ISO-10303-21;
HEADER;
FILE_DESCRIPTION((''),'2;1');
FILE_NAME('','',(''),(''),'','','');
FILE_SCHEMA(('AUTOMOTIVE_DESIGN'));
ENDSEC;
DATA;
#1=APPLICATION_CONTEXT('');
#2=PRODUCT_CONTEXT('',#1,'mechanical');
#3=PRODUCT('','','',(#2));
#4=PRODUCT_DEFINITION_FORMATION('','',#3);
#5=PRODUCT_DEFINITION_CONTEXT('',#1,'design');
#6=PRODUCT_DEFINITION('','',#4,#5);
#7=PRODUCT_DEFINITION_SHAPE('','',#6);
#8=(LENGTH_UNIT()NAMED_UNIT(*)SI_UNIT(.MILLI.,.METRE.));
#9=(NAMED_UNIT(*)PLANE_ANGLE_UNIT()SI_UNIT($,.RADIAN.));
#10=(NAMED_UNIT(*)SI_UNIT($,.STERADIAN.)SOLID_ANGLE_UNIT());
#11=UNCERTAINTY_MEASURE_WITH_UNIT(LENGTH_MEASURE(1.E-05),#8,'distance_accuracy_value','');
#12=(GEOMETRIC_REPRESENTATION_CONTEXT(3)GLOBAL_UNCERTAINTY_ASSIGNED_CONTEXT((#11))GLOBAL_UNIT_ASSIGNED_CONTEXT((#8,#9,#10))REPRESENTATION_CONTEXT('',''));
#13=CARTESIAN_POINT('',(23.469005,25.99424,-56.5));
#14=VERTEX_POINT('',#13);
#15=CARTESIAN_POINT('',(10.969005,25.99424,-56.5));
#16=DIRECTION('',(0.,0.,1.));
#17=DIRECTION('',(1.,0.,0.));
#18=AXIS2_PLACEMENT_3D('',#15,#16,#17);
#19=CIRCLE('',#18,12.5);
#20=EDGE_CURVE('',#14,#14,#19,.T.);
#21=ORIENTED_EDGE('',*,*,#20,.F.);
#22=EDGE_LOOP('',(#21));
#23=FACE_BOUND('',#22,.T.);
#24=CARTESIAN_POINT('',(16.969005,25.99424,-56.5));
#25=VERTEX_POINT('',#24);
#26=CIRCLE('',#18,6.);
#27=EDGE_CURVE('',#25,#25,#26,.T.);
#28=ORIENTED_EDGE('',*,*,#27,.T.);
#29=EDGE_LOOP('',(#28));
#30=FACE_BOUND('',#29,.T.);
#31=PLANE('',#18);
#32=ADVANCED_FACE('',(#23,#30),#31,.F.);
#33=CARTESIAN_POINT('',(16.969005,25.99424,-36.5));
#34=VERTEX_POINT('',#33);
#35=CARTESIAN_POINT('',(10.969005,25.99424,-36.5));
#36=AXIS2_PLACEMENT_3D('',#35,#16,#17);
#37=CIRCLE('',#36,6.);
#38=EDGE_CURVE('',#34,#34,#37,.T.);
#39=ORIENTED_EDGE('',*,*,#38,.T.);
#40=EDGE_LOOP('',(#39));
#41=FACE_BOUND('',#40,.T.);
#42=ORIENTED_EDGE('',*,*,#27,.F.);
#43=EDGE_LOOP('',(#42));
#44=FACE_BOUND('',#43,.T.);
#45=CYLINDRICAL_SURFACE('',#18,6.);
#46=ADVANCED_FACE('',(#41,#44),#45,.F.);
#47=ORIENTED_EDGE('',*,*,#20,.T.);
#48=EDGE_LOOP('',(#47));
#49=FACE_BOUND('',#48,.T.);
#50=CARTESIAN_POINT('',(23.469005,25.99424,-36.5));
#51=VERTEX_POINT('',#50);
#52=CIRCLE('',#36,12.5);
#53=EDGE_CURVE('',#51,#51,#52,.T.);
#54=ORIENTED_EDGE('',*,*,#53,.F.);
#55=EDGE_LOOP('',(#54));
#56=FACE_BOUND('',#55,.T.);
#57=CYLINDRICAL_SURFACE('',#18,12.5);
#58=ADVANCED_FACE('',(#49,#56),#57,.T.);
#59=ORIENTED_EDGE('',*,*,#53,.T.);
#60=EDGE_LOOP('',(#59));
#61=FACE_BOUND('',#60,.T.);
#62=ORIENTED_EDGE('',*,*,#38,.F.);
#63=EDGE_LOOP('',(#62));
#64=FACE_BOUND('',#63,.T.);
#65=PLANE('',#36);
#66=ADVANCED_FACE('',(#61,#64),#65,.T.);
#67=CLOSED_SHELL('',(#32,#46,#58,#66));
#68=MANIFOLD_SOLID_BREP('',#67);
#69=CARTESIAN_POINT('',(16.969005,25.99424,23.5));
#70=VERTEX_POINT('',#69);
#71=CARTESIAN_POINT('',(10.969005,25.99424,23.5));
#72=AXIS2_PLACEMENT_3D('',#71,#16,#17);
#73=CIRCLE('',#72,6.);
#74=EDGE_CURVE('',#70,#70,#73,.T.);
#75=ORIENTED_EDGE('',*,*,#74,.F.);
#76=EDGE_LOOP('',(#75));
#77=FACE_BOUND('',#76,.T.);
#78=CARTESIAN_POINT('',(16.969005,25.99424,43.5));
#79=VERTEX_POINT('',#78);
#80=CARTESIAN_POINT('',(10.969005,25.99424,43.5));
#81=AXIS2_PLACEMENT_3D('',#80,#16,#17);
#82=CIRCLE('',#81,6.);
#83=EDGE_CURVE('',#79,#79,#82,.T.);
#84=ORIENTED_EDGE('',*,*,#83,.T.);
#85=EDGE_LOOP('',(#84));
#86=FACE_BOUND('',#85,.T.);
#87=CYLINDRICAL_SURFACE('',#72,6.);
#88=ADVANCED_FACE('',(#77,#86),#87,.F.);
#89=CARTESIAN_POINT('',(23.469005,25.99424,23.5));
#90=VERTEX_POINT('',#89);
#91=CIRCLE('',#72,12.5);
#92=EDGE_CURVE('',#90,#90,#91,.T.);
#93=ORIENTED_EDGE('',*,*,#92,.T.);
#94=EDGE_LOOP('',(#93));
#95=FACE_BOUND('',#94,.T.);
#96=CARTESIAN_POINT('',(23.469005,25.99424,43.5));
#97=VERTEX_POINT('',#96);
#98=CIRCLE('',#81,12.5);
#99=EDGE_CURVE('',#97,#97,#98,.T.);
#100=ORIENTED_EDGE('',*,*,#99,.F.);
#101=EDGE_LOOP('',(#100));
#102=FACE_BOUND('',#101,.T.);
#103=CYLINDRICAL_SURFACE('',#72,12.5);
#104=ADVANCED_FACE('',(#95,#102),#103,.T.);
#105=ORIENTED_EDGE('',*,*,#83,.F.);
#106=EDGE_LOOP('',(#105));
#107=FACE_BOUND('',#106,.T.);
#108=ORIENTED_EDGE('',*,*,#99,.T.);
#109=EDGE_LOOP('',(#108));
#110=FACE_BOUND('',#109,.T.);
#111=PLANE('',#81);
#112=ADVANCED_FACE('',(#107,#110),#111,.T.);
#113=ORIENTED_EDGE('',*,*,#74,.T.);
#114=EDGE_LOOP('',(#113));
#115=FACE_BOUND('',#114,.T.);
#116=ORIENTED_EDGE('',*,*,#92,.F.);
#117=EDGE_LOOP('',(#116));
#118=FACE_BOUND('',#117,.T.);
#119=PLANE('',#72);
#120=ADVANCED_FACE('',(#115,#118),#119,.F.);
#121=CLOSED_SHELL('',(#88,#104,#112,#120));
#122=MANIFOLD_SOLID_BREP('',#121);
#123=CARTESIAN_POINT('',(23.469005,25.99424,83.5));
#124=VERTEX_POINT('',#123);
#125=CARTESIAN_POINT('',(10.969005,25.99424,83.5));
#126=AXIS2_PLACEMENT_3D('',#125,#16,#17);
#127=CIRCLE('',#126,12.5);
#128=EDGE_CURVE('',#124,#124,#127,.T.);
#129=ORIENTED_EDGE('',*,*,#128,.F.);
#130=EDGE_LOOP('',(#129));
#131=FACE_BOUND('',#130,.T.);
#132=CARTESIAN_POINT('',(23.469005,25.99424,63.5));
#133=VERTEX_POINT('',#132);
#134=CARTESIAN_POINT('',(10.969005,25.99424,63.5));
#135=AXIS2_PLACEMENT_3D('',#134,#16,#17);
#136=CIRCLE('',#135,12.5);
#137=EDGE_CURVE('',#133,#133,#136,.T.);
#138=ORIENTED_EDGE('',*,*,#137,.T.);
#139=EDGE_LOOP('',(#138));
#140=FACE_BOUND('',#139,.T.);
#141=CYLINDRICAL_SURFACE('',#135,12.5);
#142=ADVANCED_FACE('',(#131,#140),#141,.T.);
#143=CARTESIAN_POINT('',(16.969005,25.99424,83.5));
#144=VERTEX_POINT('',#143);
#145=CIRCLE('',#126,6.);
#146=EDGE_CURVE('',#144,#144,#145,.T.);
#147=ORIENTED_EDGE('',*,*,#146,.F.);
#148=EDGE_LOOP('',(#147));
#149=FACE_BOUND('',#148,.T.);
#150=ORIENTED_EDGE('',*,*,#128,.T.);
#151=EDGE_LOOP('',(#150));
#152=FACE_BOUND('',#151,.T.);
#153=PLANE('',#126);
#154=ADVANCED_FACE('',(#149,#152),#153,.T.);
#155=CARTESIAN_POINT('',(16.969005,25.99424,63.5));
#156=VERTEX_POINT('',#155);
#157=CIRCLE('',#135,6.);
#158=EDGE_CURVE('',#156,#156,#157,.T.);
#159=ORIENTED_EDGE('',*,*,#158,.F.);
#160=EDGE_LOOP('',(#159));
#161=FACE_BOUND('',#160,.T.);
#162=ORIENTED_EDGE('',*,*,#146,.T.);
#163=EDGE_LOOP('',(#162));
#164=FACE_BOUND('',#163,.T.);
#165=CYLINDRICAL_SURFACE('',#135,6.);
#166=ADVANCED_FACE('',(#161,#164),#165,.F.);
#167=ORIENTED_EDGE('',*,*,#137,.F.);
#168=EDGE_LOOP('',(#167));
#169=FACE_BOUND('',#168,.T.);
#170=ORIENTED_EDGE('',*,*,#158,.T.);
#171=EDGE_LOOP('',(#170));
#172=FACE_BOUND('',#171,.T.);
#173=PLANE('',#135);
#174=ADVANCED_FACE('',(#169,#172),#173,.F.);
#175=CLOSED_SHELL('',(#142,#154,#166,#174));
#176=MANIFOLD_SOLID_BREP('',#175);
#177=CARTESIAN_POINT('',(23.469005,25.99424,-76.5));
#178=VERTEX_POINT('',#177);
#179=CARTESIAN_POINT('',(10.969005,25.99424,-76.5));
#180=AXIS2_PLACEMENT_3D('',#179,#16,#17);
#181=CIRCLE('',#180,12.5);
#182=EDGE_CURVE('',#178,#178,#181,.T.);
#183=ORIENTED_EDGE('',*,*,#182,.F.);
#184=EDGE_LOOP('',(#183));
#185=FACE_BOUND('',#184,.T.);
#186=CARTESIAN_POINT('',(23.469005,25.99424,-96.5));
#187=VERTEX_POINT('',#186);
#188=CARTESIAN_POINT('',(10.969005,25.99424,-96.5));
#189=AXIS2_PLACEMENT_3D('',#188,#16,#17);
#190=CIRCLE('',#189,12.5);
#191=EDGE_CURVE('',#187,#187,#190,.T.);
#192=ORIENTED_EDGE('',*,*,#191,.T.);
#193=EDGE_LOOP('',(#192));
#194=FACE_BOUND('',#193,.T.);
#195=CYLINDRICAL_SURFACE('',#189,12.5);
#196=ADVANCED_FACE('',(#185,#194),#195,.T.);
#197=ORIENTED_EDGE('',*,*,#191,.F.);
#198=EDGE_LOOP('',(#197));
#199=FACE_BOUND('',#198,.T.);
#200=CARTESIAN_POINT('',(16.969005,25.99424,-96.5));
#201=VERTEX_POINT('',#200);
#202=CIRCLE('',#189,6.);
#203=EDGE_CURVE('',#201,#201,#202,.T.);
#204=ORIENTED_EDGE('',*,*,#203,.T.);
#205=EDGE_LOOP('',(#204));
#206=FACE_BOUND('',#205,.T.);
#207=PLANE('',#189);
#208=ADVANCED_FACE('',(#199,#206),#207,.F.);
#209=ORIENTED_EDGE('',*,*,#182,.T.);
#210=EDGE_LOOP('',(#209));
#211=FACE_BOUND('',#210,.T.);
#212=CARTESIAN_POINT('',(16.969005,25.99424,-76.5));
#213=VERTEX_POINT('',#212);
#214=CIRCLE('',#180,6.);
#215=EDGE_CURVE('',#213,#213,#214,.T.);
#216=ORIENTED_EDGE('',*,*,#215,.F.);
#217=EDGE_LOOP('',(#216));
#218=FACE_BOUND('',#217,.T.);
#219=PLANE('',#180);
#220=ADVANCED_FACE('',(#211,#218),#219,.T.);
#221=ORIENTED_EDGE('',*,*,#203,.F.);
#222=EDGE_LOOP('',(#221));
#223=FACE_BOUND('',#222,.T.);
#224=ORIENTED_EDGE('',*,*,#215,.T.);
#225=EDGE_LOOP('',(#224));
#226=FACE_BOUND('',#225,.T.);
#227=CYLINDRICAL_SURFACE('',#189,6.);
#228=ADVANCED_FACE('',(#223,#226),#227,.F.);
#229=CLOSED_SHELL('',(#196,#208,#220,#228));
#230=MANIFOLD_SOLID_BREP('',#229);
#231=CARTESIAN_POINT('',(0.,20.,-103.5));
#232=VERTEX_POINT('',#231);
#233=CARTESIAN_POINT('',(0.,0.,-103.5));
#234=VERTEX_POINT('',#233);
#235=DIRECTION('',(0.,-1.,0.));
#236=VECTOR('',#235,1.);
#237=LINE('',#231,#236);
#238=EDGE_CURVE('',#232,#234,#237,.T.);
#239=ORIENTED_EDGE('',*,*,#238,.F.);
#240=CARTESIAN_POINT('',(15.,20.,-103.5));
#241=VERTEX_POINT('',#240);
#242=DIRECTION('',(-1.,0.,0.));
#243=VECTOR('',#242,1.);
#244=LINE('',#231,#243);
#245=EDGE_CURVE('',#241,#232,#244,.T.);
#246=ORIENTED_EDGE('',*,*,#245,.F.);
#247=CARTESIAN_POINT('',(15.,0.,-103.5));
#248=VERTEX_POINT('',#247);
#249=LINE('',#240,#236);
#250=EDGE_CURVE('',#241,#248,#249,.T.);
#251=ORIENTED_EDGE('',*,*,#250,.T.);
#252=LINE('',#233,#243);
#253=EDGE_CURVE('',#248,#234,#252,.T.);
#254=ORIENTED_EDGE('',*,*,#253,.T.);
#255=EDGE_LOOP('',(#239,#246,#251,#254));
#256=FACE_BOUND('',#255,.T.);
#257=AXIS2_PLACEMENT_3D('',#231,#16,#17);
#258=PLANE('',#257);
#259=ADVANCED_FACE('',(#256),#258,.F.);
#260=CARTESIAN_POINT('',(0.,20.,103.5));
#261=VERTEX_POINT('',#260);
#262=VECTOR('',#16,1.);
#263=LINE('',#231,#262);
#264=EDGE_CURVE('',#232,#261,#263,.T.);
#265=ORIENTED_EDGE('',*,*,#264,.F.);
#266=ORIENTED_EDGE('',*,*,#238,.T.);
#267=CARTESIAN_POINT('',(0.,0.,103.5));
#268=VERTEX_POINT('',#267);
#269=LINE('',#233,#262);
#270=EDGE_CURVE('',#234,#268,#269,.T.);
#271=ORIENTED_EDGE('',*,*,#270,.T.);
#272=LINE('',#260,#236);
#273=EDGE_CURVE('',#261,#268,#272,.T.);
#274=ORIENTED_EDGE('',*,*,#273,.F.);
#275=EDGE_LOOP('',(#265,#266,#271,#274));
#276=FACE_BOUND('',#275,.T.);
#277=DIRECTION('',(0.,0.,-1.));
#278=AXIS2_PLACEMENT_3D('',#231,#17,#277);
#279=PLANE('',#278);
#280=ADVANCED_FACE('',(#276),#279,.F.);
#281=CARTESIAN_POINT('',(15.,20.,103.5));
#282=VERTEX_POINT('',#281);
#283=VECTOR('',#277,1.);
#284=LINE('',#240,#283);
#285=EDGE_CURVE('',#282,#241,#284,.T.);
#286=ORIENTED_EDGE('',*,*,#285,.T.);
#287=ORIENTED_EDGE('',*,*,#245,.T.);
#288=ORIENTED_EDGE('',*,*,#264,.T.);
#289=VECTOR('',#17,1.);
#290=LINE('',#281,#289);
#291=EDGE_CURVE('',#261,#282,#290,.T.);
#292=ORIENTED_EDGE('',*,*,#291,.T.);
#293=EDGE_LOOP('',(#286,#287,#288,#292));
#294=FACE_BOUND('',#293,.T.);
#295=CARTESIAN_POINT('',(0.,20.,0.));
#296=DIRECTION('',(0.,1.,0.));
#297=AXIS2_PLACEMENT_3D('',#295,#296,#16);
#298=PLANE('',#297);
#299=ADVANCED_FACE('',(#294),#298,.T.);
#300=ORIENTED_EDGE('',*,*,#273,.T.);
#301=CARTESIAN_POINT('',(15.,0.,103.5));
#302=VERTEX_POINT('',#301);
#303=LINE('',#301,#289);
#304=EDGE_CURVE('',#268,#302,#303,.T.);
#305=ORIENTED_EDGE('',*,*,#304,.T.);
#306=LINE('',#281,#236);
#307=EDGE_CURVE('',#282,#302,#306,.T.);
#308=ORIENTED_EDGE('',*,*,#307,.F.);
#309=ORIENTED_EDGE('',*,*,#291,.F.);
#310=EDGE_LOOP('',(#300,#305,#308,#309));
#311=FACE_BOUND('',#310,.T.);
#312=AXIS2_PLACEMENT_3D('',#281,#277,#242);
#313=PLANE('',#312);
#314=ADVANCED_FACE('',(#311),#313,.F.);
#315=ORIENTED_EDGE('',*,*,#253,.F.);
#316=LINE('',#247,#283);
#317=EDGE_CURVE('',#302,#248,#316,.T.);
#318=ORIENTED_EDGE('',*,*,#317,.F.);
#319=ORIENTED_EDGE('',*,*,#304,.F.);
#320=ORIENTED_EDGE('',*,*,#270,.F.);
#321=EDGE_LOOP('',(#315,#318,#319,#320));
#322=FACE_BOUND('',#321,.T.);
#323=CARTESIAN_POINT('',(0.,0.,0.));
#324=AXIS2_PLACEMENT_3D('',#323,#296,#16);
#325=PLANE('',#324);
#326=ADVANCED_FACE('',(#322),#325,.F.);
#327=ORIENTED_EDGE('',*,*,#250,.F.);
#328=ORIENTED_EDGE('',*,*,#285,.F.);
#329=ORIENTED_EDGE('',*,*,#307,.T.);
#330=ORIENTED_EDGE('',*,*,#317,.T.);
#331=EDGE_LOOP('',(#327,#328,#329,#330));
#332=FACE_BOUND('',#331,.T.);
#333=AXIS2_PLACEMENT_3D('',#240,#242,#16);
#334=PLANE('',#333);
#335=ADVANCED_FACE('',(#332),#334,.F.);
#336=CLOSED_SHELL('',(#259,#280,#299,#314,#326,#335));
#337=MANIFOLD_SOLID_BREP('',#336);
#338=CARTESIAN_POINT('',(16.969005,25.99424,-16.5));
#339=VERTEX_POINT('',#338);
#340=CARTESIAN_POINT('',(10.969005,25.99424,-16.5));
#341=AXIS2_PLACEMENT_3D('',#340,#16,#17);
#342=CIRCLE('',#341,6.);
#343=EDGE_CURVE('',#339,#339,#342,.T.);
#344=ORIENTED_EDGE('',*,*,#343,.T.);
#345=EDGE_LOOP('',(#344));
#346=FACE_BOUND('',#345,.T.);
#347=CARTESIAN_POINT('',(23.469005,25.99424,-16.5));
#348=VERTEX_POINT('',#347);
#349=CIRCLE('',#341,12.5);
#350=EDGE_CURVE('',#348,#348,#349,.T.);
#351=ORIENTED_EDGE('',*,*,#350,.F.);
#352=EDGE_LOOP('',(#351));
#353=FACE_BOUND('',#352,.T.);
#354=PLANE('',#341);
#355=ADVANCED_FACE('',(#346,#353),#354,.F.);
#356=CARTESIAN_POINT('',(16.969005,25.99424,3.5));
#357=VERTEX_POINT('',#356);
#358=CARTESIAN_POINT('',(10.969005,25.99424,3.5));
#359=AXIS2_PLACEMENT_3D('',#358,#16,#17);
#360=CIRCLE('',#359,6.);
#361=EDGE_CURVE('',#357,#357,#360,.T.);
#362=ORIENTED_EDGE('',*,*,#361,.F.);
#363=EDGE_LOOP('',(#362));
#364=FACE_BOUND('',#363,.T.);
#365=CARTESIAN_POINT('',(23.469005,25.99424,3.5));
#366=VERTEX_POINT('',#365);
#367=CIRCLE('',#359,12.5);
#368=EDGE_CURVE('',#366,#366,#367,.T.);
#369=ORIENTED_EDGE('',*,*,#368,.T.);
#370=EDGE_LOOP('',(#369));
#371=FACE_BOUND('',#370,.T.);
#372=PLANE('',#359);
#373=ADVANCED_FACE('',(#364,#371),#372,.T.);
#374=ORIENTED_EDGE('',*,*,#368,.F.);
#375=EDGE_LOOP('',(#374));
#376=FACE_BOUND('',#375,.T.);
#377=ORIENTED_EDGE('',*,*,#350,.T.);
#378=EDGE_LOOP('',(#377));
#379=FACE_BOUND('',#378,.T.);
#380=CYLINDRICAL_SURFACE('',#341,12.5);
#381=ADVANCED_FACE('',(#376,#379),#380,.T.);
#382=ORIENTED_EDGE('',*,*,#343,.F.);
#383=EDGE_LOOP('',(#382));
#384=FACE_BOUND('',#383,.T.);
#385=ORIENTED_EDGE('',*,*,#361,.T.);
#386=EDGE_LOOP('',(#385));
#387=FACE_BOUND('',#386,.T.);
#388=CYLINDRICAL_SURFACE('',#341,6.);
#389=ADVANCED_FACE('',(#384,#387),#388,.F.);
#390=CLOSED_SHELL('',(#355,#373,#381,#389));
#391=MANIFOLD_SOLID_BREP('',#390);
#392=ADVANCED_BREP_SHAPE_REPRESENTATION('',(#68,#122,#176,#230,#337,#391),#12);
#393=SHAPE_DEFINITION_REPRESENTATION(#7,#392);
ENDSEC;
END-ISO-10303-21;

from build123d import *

# Parameters (mm, degrees)
SKETCH1_W           = 15
SKETCH1_H           = 207
BOSS_EXTRUDE1_DEPTH = 20
SKETCH2_R           = 12.5
SKETCH2_R_2         = 6
BOSS_EXTRUDE3_DEPTH = 20
LPATTERN2_COUNT     = 5
LPATTERN2_PITCH     = 40


with BuildPart() as part:
    # Sketch1 → Boss-Extrude1 (new body)
    with BuildSketch(Plane(origin=(0, 0, 0), x_dir=(1, 0, 0), z_dir=(0, 1, 0))):
        with Locations((7.5, 0)):
            Rectangle(SKETCH1_W, SKETCH1_H)
    extrude(amount=BOSS_EXTRUDE1_DEPTH)


with BuildPart() as body_2:
    # Sketch2 → Boss-Extrude3 (new body)
    with BuildSketch(Plane.XY.offset(83.5)):
        with Locations((10.969005493, 25.994240443)):
            Circle(SKETCH2_R)
        with Locations((10.969005493, 25.994240443)):
            Circle(SKETCH2_R_2, mode=Mode.SUBTRACT)
    boss_extrude3 = extrude(amount=-BOSS_EXTRUDE3_DEPTH)


with BuildPart() as lpattern2_1:
    # LPattern2: Boss-Extrude3 ×5
    with Locations(*[(0, 0, -i * LPATTERN2_PITCH) for i in range(1, LPATTERN2_COUNT)]):
        add(boss_extrude3)


solid = Compound([part.part, body_2.part, lpattern2_1.part])
